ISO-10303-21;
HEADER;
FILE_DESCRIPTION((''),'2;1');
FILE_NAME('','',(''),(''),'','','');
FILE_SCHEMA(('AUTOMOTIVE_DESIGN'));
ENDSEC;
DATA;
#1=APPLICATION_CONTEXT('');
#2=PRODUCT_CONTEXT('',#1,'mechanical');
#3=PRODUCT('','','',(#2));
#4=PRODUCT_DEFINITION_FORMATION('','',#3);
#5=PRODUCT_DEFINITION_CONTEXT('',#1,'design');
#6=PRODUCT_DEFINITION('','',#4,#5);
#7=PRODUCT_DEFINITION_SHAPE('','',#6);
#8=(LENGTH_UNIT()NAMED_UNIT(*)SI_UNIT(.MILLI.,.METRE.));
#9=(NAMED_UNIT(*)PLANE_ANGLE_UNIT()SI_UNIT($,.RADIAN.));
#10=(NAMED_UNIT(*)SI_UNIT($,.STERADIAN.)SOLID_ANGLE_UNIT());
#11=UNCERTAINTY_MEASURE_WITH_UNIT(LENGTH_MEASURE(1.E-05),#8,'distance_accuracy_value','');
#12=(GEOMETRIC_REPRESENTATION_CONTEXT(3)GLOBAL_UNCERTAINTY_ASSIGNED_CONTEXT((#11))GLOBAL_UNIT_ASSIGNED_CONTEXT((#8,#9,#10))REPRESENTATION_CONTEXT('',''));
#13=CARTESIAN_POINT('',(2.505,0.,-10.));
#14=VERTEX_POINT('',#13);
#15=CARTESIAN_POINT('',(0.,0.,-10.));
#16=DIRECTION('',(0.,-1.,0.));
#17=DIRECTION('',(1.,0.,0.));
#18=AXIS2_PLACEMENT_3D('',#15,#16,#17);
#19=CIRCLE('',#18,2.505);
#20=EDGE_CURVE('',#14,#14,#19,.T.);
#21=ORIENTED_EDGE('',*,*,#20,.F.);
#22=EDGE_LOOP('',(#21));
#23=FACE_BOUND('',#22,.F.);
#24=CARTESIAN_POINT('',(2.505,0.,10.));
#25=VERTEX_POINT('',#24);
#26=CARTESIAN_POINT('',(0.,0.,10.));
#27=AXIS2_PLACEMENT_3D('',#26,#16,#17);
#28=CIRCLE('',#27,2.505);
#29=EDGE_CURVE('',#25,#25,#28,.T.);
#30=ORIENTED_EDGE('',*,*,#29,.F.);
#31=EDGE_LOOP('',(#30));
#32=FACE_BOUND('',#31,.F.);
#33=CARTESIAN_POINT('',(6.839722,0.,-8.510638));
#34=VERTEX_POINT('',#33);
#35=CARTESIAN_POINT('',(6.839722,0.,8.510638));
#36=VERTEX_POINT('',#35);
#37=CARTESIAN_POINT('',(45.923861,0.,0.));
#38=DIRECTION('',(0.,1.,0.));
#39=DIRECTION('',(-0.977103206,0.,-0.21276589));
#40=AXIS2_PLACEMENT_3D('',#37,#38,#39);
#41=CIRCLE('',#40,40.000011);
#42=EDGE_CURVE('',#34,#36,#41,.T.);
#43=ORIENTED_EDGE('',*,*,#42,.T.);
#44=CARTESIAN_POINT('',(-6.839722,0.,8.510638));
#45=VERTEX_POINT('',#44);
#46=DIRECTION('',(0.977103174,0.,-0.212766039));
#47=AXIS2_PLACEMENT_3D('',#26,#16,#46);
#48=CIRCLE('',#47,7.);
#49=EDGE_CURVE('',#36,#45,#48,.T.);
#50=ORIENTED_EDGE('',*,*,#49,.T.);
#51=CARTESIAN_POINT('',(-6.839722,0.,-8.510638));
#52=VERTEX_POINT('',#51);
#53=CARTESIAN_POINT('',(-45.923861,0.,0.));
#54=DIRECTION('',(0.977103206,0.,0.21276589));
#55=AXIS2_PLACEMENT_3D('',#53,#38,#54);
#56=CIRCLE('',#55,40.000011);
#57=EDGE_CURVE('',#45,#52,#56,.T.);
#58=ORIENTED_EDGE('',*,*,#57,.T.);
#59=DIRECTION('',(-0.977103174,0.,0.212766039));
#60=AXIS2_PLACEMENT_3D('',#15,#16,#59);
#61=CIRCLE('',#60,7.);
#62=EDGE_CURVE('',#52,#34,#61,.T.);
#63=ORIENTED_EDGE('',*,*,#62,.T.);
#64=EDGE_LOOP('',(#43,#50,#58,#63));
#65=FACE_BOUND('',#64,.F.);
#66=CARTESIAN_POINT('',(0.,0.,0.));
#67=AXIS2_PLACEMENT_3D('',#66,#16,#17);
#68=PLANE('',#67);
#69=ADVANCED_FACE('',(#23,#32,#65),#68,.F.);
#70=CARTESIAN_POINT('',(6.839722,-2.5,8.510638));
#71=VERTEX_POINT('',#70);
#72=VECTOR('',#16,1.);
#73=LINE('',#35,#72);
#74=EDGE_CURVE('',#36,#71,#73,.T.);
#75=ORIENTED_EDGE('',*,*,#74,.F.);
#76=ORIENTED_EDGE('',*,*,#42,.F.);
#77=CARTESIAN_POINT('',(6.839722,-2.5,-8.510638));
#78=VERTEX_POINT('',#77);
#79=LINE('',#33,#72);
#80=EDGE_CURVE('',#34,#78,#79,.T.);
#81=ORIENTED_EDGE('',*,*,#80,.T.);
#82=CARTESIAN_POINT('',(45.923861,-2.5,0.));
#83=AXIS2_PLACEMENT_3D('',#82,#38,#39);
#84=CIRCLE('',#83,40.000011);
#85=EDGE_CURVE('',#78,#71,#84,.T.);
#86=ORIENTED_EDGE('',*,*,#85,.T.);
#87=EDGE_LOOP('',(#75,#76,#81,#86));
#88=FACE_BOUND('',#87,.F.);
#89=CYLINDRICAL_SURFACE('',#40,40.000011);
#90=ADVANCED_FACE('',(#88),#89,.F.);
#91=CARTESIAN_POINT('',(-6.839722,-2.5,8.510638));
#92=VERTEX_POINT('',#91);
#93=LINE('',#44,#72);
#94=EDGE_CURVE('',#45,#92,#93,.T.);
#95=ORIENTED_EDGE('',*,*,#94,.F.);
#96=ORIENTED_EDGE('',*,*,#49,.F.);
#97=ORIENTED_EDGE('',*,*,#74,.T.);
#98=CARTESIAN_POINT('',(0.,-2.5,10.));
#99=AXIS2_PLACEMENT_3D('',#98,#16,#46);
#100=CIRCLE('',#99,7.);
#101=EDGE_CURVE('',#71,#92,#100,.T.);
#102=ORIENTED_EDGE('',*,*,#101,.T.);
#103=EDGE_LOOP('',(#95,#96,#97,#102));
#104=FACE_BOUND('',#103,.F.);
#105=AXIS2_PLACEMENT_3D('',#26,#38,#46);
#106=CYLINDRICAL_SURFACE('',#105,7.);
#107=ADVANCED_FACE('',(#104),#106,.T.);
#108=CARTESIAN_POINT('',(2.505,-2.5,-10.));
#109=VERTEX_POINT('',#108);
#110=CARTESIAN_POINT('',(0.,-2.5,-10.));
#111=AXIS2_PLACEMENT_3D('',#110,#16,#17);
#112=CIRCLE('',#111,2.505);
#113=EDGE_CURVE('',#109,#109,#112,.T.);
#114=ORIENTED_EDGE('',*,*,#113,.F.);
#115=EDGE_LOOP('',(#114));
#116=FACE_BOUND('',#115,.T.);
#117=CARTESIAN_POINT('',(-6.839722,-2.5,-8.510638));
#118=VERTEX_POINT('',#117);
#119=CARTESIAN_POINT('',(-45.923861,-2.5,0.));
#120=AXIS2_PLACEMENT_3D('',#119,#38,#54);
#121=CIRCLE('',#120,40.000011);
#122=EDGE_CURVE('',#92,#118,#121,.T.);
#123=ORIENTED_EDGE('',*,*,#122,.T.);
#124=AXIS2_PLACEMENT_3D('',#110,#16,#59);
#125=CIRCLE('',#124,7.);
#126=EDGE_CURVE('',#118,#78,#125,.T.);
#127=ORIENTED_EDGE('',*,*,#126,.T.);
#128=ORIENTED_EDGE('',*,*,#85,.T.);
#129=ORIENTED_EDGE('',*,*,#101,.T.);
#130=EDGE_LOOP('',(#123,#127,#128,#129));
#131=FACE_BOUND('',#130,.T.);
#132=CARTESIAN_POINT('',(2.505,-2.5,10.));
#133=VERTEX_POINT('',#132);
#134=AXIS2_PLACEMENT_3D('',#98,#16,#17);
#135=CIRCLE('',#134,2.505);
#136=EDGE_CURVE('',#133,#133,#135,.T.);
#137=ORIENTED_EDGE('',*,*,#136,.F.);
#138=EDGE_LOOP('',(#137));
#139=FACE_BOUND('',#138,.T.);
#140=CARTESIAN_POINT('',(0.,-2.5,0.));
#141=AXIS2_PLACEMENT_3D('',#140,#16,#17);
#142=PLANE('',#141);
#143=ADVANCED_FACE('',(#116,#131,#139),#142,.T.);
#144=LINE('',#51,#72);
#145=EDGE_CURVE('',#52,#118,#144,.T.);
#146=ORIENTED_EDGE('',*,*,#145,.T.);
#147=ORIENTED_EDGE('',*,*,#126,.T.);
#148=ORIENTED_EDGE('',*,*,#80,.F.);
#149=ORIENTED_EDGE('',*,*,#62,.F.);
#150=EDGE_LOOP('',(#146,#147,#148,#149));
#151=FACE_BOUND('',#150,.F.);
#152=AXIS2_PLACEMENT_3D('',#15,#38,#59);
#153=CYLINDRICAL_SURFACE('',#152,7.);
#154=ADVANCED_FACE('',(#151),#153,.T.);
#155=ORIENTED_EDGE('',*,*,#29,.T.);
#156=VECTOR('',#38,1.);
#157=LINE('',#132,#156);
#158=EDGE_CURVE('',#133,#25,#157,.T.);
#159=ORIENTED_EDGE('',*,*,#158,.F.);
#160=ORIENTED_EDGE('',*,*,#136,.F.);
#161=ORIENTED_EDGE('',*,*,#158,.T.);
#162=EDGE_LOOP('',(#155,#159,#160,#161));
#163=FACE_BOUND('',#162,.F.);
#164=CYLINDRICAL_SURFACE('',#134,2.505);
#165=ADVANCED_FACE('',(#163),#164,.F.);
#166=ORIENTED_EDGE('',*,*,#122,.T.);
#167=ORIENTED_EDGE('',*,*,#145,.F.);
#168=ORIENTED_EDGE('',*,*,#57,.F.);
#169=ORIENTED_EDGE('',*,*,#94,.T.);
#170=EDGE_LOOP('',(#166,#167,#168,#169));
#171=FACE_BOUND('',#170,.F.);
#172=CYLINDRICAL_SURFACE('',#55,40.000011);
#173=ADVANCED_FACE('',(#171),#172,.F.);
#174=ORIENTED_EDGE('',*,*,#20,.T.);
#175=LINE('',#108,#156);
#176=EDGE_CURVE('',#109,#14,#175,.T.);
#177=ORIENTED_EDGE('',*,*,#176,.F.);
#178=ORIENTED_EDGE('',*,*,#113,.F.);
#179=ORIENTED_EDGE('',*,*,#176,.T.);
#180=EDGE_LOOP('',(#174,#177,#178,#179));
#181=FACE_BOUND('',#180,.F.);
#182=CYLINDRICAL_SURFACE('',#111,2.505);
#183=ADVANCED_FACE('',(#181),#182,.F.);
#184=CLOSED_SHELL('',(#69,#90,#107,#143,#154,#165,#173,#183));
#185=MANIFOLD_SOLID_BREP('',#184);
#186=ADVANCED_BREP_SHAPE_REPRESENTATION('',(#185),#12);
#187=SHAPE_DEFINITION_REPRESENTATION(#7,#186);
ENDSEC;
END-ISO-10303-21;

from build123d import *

# Parameters (mm, degrees)
F1_DEPTH = 2.5
F2_R     = 2.505
F3_DEPTH = 25


with BuildPart() as f1:
    # F0 (on Front) → F1 (new body)
    with BuildSketch(Plane.XZ):
        with BuildLine():
            ThreePointArc((6.839722, -8.510638), (5.92385, 0), (6.839722, 8.510638))
            ThreePointArc((6.839722, 8.510638), (0, 17), (-6.839722, 8.510638))
            ThreePointArc((-6.839722, 8.510638), (-5.92385, 0), (-6.839722, -8.510638))
            ThreePointArc((-6.839722, -8.510638), (0, -17), (6.839722, -8.510638))
        make_face()
    extrude(amount=F1_DEPTH)

    # F2 (on face) → F3 (cut)
    with BuildSketch(Plane.XZ.offset(2.5)):
        with Locations((0, 10)):
            Circle(F2_R)
        with Locations((0, -10)):
            Circle(F2_R)
    extrude(amount=-F3_DEPTH, mode=Mode.SUBTRACT)


solid = f1.part
